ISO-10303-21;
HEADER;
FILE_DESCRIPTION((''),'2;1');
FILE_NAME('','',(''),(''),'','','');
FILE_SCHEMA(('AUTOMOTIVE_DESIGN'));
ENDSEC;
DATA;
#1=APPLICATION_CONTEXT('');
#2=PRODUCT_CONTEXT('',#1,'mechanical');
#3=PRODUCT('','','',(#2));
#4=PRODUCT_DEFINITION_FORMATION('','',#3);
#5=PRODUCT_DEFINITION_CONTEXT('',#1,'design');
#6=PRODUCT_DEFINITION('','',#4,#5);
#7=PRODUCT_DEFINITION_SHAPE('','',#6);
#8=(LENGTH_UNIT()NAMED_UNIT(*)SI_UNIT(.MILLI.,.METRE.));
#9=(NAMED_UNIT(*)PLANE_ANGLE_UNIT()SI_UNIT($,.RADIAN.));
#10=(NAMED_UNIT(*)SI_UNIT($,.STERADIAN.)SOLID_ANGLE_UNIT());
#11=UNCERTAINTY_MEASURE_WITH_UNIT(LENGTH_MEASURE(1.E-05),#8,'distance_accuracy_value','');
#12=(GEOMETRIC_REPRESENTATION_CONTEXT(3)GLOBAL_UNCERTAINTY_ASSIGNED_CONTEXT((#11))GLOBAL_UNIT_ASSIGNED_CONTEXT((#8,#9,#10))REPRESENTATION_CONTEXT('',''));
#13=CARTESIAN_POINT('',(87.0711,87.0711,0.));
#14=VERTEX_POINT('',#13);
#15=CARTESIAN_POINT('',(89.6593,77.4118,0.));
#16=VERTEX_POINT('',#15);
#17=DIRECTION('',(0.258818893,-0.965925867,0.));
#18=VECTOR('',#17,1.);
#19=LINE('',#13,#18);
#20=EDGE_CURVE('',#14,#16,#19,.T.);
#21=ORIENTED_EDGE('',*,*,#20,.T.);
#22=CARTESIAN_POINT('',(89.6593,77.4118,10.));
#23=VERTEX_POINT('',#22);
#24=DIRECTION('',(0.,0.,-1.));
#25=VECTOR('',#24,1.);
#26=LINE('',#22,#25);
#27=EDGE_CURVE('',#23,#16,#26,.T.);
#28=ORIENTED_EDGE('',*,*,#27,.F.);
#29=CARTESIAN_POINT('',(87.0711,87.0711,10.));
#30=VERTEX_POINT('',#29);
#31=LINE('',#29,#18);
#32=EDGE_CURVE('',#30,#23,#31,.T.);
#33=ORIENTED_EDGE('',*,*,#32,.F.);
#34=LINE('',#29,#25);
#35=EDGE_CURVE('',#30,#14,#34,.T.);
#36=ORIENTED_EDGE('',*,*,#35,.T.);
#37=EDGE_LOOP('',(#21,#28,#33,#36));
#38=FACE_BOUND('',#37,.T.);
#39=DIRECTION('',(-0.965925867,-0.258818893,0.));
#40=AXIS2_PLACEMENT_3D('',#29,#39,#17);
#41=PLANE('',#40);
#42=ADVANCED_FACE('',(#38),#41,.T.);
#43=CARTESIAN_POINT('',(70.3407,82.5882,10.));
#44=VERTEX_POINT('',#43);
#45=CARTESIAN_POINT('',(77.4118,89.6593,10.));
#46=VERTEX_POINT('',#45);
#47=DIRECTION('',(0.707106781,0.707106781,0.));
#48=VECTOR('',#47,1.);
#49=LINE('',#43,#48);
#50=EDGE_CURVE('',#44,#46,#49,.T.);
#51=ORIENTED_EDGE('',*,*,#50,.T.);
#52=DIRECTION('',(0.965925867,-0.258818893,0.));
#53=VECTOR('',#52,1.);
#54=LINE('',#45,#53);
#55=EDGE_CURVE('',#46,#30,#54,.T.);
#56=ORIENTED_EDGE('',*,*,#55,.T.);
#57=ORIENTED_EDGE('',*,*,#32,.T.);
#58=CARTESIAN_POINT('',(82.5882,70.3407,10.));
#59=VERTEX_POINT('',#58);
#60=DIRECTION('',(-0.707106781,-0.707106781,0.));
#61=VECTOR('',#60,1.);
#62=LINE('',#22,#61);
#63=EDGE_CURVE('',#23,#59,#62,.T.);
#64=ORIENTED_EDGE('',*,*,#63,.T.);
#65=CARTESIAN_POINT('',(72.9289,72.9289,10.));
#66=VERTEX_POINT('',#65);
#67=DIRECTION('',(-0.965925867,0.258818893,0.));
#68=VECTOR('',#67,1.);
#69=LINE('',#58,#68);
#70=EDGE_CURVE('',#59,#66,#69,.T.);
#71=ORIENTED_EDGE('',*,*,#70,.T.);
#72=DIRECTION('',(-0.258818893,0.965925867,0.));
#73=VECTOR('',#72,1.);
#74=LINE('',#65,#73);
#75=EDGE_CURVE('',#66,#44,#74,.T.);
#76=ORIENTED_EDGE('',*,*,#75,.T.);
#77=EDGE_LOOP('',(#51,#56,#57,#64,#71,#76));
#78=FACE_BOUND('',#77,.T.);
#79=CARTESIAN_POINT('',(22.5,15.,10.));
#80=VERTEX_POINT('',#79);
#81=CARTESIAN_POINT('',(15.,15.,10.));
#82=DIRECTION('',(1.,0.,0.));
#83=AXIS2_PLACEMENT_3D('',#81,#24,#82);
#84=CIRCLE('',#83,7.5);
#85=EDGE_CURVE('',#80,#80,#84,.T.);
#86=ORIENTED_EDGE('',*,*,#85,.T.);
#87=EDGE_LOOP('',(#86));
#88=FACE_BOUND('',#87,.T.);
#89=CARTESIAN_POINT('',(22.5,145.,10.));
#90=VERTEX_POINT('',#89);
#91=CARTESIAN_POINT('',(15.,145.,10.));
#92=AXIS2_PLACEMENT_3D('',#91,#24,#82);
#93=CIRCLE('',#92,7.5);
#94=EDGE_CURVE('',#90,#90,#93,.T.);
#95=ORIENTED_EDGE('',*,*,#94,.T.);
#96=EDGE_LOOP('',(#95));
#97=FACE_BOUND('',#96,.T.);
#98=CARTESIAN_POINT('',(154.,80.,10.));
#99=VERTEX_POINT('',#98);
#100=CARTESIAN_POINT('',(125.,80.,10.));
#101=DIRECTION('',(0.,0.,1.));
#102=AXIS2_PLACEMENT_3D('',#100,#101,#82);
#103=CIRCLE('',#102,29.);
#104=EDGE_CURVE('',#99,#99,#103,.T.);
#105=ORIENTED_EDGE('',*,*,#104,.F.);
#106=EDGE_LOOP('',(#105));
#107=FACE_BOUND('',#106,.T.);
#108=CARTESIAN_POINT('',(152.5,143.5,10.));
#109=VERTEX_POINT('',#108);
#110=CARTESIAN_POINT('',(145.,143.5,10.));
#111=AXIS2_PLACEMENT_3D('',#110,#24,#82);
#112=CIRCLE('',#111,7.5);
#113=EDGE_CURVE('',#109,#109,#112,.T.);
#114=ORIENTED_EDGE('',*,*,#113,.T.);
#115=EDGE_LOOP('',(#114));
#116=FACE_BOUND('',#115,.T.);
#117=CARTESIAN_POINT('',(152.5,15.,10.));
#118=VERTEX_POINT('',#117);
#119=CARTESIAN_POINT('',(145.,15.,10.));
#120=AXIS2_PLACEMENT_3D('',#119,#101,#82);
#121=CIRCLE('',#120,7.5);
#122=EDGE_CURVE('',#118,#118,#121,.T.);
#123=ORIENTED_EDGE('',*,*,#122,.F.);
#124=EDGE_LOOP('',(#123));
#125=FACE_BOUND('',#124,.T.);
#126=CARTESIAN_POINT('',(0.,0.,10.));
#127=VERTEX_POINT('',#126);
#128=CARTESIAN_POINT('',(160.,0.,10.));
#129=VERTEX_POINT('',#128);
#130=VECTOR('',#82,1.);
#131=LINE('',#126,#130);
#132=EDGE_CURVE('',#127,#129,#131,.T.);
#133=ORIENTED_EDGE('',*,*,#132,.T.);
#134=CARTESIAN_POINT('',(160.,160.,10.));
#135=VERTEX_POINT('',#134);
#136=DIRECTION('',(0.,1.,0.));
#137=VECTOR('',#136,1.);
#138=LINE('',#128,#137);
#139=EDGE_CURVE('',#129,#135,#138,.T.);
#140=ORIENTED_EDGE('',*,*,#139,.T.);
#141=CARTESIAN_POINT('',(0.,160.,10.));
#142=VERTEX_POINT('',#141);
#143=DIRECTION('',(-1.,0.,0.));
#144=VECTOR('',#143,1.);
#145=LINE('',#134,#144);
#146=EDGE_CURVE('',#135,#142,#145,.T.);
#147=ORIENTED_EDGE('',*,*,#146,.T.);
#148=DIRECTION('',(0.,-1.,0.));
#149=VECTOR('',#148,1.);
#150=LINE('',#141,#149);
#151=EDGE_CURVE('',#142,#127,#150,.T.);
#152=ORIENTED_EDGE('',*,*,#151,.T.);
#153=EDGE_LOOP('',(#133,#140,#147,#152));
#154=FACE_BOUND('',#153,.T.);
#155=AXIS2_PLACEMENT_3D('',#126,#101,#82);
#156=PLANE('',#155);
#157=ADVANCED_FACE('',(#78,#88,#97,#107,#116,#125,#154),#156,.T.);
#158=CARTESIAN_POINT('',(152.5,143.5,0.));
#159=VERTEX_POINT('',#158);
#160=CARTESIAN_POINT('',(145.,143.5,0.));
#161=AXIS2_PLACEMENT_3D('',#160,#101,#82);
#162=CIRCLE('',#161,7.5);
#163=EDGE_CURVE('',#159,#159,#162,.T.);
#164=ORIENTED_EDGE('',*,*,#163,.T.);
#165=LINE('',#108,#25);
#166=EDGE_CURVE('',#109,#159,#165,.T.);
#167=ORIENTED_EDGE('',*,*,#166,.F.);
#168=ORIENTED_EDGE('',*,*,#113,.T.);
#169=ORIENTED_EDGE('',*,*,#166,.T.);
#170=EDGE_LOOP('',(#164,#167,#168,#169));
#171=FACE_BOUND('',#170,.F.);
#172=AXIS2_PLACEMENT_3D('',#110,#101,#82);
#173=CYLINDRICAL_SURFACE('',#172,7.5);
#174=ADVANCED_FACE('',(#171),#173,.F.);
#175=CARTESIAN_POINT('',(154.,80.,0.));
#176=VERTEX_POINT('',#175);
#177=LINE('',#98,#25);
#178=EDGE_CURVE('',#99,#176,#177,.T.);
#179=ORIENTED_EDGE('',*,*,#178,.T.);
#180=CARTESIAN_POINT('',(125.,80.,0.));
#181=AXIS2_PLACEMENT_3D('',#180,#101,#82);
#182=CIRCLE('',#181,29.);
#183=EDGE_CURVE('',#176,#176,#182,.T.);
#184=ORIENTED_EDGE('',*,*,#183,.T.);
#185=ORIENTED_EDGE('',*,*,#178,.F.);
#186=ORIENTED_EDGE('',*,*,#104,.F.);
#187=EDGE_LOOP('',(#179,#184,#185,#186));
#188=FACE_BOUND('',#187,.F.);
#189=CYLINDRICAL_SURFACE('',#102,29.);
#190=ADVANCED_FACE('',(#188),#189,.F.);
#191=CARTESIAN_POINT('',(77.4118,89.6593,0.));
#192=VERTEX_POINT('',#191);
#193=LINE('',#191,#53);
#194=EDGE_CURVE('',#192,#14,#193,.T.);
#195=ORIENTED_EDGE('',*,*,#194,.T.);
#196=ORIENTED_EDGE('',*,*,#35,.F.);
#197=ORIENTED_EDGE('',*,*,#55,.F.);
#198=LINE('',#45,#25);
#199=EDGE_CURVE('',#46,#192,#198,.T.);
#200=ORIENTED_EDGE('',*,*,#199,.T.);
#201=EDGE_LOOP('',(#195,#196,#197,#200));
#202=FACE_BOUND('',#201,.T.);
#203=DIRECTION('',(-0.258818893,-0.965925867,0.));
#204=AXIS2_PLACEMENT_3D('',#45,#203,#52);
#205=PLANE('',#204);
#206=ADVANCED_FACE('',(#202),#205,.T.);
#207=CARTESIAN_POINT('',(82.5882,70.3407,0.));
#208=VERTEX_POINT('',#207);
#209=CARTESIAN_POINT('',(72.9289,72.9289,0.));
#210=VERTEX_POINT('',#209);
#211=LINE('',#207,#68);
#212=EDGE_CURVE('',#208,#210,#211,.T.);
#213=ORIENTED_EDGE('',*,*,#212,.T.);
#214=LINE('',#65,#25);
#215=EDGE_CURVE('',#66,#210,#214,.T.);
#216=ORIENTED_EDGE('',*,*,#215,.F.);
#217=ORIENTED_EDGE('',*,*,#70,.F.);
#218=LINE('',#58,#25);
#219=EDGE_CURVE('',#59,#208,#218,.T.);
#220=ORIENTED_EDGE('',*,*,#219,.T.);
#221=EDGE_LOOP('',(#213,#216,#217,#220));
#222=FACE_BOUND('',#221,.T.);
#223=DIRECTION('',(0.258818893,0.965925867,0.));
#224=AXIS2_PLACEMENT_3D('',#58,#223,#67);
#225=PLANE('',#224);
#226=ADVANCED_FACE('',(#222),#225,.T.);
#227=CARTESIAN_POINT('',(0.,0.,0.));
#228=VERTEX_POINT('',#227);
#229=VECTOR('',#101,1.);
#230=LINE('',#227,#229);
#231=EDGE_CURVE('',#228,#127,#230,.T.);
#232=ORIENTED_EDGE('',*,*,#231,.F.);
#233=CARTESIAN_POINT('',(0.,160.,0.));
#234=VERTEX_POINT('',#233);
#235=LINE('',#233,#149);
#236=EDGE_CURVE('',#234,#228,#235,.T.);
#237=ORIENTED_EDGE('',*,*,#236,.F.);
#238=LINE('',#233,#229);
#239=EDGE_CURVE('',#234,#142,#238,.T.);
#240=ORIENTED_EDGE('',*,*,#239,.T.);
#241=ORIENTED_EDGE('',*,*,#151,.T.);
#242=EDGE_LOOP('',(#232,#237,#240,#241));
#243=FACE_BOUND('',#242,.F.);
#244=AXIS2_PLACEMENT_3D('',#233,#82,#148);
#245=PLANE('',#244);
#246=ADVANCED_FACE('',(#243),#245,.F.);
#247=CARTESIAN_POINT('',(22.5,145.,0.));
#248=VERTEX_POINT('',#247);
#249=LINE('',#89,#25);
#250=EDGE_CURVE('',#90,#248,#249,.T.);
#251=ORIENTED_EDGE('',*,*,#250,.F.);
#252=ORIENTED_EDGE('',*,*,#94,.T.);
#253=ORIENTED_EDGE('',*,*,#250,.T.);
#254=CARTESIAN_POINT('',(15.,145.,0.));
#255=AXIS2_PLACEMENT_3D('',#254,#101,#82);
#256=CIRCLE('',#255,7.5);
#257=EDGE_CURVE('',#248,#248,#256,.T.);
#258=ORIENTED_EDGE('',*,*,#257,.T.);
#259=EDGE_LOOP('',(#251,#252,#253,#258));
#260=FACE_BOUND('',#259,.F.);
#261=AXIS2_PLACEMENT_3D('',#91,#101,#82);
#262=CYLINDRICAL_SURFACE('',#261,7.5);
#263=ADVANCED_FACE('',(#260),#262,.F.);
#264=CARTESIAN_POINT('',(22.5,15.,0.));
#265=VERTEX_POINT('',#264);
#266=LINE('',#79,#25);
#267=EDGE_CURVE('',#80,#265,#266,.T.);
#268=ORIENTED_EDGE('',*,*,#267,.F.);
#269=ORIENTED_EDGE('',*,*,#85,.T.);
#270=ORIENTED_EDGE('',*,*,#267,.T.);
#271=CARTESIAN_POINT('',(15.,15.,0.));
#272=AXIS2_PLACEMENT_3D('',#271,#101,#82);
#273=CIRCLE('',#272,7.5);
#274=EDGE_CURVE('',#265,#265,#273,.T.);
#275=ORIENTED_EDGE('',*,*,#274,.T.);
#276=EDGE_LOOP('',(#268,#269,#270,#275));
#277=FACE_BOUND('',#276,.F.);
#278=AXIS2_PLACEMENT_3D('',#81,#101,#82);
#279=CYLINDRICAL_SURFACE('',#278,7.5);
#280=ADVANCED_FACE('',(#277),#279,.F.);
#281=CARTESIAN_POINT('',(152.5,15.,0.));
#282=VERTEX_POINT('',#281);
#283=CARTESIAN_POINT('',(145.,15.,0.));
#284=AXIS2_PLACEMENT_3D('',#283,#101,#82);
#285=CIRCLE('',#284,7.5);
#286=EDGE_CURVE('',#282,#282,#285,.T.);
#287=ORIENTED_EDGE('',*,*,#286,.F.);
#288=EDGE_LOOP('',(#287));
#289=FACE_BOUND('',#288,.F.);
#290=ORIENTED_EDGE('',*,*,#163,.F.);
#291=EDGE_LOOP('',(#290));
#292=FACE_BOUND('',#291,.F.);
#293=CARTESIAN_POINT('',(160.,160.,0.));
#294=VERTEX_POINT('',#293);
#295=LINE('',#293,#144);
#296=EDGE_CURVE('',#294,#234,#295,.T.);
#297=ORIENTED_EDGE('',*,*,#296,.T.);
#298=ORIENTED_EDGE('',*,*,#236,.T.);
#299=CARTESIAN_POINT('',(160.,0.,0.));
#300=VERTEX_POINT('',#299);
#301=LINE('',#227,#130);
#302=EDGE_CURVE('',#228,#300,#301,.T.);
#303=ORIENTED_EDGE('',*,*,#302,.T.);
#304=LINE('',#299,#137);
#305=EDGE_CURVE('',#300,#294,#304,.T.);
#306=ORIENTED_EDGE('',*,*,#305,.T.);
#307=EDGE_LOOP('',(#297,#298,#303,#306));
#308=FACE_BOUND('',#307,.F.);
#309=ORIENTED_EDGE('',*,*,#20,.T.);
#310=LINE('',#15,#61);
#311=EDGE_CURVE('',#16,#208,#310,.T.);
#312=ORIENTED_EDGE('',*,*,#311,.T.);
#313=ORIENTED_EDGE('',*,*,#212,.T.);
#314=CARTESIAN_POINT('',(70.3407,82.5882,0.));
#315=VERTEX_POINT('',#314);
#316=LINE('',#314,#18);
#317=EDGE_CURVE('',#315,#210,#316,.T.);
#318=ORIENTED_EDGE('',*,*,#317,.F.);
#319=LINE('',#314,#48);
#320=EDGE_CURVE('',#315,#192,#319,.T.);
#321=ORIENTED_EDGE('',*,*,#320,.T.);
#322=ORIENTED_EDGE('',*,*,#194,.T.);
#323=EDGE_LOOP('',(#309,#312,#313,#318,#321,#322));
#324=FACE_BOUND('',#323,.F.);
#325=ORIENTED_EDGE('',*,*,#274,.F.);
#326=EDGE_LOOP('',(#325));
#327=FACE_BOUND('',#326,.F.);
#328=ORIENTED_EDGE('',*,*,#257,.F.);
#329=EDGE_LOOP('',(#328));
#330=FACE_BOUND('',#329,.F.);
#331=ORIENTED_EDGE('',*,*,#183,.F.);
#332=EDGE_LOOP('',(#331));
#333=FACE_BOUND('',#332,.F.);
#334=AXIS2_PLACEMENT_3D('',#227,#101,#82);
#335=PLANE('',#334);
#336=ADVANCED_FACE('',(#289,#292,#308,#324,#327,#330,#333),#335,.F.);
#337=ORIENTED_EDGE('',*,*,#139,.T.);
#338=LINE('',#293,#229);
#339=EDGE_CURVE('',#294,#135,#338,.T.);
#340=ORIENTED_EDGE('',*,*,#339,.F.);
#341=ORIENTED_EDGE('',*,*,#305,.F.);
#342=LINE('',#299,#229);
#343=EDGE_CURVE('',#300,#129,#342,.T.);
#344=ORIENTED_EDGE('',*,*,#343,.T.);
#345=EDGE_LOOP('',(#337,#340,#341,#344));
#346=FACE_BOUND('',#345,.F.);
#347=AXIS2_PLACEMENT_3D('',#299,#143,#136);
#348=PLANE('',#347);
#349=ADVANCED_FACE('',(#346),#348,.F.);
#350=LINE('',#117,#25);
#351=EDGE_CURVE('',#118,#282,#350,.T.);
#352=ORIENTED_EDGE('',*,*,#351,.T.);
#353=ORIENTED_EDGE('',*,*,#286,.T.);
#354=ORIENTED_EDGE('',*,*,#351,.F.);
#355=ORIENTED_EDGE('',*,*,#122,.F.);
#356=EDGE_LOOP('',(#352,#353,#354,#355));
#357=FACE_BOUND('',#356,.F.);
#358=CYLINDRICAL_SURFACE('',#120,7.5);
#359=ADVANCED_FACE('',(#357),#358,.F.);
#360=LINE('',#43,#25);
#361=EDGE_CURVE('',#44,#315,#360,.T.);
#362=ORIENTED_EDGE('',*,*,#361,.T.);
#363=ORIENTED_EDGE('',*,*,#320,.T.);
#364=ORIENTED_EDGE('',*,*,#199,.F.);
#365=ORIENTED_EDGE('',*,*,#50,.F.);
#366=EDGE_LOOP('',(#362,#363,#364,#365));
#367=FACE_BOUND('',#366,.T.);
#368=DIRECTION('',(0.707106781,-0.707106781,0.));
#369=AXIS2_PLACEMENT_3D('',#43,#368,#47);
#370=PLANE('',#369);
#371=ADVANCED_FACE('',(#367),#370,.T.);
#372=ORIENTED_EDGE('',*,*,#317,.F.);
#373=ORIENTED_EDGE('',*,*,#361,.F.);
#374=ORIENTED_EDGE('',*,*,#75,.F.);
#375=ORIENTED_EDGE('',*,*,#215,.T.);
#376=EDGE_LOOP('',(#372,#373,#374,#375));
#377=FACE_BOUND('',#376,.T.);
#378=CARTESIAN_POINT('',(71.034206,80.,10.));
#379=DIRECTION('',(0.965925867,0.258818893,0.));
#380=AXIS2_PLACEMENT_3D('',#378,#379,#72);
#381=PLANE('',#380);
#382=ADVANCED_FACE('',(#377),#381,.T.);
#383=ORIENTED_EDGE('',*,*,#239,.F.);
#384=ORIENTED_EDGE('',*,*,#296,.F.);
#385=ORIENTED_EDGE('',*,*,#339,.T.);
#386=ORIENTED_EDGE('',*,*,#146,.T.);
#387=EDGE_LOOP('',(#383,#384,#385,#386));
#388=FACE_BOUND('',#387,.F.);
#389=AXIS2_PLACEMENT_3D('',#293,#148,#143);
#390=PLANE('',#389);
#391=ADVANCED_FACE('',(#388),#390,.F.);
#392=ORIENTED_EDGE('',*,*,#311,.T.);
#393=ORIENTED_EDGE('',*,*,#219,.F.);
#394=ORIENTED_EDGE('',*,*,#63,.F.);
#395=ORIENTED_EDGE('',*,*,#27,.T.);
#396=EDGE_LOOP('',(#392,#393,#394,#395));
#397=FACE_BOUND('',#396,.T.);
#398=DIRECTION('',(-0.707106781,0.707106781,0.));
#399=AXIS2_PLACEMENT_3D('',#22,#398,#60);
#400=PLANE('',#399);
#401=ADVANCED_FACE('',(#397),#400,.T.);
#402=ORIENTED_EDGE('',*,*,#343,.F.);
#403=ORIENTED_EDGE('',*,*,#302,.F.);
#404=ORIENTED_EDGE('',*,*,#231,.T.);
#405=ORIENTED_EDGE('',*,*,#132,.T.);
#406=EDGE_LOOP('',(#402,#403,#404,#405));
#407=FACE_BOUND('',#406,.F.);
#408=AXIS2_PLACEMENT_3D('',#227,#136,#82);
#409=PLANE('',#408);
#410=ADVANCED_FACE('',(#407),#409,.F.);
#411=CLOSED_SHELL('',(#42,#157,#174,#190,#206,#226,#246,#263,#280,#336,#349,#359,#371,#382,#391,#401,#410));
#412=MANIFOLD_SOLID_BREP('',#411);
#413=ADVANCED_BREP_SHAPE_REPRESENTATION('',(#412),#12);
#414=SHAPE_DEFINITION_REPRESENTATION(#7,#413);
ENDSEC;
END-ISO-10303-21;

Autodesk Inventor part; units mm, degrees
ref_plane "YZ Plane" through (0, 0, 0) normal (1, 0, 0) x (0, 1, 0)
ref_plane "XZ Plane" through (0, 0, 0) normal (0, 1, 0) x (-1, 0, 0)
ref_plane "XY Plane" through (0, 0, 0) normal (0, 0, 1) x (1, 0, 0)
sketch "Sketch1" plane through (0, 0, 0) normal (0, 0, 1) x (1, 0, 0)
  line L0 (0, 0) -> (160, 0)
  line L1 (160, 0) -> (160, 160)
  line L2 (160, 160) -> (0, 160)
  line L3 (0, 160) -> (0, 0)
  dimension "d0" = 160
  dimension "d1" = 160
extrude "Extrusion1" add sketch "Sketch1" along normal blind 10
sketch "Sketch2" plane through (0, 0, 10) normal (0, 0, 1) x (1, 0, 0)
  line L0 (0, 0) -> (160, 0) projected
  line L1 (0, 0) -> (15, 0)
  line L2 (15, 0) -> (15, 15)
  line L3 (160, 160) -> (0, 160) projected
  line L4 (0, 160) -> (15, 160)
  line L5 (15, 160) -> (15, 145)
  line L6 (160, 0) -> (160, 160) projected
  line L7 (160, 160) -> (145, 160)
  line L8 (145, 160) -> (145, 143.5)
  line L9 (160, 0) -> (160, 15)
  line L10 (160, 15) -> (145, 15)
  circle A0 centre (15, 145) radius 7.5
  circle A1 centre (145, 143.5) radius 7.5
  circle A2 centre (145, 15) radius 7.5
  circle A3 centre (15, 15) radius 7.5
  dimension "d4" = 15
  dimension "d5" = 15
  dimension "d6" = 15
  dimension "d7" = 15
  dimension "d8" = 15
  dimension "d9" = 16.5
  dimension "d10" = 15
  dimension "d11" = 15
  dimension "d12" = 15
  dimension "d13" = 15
  dimension "d14" = 15
  dimension "d15" = 15
extrude "Extrusion2" cut sketch "Sketch2" against normal blind 10
sketch "Sketch3" plane through (0, 0, 10) normal (0, 0, 1) x (1, 0, 0)
  line L0 (0, 160) -> (0, 0) projected
  line L1 (0, 0) -> (80, 0)
  line L2 (0, 0) -> (160, 0) projected
  line L3 (80, 0) -> (0, 0)
  line L4 (0, 0) -> (80, 0)
  dimension "d18" = 80
  dimension "d19" = 80
  dimension "d20" = 80
sketch "Sketch4" plane through (0, 0, 10) normal (0, 0, 1) x (1, 0, 0)
  line L0 (0, 0) -> (160, 0) projected
  line L1 (0, 0) -> (0, 80)
  line L2 (0, 160) -> (0, 0) projected
  line L3 (0, 80) -> (80, 80)
  line L4 (87.0711, 87.0711) -> (89.6593, 77.4118)
  line L5 (89.6593, 77.4118) -> (82.5882, 70.3407)
  line L6 (82.5882, 70.3407) -> (72.9289, 72.9289)
  line L7 (72.9289, 72.9289) -> (70.3407, 82.5882)
  line L8 (70.3407, 82.5882) -> (77.4118, 89.6593)
  line L9 (77.4118, 89.6593) -> (87.0711, 87.0711)
  line L10 (160, 0) -> (160, 160) projected
  line L11 (160, 160) -> (160, 80)
  dimension "d21" = 80
  dimension "d22" = 80
  dimension "d23" = 10
  dimension "d24" = 80
sketch "Sketch5" plane through (0, 0, 10) normal (0, 0, 1) x (1, 0, 0)
  line L0 (160, 0) -> (160, 160) projected
  line L1 (160, 80) -> (125, 80)
  circle A0 centre (125, 80) radius 29
  point P0 (0, 0)
  dimension "d25" = 35
  dimension "d26" = 58
extrude "Extrusion3" cut sketch "Sketch4" against normal blind 10
extrude "Extrusion4" cut sketch "Sketch5" against normal blind 10
properties part number "102"
